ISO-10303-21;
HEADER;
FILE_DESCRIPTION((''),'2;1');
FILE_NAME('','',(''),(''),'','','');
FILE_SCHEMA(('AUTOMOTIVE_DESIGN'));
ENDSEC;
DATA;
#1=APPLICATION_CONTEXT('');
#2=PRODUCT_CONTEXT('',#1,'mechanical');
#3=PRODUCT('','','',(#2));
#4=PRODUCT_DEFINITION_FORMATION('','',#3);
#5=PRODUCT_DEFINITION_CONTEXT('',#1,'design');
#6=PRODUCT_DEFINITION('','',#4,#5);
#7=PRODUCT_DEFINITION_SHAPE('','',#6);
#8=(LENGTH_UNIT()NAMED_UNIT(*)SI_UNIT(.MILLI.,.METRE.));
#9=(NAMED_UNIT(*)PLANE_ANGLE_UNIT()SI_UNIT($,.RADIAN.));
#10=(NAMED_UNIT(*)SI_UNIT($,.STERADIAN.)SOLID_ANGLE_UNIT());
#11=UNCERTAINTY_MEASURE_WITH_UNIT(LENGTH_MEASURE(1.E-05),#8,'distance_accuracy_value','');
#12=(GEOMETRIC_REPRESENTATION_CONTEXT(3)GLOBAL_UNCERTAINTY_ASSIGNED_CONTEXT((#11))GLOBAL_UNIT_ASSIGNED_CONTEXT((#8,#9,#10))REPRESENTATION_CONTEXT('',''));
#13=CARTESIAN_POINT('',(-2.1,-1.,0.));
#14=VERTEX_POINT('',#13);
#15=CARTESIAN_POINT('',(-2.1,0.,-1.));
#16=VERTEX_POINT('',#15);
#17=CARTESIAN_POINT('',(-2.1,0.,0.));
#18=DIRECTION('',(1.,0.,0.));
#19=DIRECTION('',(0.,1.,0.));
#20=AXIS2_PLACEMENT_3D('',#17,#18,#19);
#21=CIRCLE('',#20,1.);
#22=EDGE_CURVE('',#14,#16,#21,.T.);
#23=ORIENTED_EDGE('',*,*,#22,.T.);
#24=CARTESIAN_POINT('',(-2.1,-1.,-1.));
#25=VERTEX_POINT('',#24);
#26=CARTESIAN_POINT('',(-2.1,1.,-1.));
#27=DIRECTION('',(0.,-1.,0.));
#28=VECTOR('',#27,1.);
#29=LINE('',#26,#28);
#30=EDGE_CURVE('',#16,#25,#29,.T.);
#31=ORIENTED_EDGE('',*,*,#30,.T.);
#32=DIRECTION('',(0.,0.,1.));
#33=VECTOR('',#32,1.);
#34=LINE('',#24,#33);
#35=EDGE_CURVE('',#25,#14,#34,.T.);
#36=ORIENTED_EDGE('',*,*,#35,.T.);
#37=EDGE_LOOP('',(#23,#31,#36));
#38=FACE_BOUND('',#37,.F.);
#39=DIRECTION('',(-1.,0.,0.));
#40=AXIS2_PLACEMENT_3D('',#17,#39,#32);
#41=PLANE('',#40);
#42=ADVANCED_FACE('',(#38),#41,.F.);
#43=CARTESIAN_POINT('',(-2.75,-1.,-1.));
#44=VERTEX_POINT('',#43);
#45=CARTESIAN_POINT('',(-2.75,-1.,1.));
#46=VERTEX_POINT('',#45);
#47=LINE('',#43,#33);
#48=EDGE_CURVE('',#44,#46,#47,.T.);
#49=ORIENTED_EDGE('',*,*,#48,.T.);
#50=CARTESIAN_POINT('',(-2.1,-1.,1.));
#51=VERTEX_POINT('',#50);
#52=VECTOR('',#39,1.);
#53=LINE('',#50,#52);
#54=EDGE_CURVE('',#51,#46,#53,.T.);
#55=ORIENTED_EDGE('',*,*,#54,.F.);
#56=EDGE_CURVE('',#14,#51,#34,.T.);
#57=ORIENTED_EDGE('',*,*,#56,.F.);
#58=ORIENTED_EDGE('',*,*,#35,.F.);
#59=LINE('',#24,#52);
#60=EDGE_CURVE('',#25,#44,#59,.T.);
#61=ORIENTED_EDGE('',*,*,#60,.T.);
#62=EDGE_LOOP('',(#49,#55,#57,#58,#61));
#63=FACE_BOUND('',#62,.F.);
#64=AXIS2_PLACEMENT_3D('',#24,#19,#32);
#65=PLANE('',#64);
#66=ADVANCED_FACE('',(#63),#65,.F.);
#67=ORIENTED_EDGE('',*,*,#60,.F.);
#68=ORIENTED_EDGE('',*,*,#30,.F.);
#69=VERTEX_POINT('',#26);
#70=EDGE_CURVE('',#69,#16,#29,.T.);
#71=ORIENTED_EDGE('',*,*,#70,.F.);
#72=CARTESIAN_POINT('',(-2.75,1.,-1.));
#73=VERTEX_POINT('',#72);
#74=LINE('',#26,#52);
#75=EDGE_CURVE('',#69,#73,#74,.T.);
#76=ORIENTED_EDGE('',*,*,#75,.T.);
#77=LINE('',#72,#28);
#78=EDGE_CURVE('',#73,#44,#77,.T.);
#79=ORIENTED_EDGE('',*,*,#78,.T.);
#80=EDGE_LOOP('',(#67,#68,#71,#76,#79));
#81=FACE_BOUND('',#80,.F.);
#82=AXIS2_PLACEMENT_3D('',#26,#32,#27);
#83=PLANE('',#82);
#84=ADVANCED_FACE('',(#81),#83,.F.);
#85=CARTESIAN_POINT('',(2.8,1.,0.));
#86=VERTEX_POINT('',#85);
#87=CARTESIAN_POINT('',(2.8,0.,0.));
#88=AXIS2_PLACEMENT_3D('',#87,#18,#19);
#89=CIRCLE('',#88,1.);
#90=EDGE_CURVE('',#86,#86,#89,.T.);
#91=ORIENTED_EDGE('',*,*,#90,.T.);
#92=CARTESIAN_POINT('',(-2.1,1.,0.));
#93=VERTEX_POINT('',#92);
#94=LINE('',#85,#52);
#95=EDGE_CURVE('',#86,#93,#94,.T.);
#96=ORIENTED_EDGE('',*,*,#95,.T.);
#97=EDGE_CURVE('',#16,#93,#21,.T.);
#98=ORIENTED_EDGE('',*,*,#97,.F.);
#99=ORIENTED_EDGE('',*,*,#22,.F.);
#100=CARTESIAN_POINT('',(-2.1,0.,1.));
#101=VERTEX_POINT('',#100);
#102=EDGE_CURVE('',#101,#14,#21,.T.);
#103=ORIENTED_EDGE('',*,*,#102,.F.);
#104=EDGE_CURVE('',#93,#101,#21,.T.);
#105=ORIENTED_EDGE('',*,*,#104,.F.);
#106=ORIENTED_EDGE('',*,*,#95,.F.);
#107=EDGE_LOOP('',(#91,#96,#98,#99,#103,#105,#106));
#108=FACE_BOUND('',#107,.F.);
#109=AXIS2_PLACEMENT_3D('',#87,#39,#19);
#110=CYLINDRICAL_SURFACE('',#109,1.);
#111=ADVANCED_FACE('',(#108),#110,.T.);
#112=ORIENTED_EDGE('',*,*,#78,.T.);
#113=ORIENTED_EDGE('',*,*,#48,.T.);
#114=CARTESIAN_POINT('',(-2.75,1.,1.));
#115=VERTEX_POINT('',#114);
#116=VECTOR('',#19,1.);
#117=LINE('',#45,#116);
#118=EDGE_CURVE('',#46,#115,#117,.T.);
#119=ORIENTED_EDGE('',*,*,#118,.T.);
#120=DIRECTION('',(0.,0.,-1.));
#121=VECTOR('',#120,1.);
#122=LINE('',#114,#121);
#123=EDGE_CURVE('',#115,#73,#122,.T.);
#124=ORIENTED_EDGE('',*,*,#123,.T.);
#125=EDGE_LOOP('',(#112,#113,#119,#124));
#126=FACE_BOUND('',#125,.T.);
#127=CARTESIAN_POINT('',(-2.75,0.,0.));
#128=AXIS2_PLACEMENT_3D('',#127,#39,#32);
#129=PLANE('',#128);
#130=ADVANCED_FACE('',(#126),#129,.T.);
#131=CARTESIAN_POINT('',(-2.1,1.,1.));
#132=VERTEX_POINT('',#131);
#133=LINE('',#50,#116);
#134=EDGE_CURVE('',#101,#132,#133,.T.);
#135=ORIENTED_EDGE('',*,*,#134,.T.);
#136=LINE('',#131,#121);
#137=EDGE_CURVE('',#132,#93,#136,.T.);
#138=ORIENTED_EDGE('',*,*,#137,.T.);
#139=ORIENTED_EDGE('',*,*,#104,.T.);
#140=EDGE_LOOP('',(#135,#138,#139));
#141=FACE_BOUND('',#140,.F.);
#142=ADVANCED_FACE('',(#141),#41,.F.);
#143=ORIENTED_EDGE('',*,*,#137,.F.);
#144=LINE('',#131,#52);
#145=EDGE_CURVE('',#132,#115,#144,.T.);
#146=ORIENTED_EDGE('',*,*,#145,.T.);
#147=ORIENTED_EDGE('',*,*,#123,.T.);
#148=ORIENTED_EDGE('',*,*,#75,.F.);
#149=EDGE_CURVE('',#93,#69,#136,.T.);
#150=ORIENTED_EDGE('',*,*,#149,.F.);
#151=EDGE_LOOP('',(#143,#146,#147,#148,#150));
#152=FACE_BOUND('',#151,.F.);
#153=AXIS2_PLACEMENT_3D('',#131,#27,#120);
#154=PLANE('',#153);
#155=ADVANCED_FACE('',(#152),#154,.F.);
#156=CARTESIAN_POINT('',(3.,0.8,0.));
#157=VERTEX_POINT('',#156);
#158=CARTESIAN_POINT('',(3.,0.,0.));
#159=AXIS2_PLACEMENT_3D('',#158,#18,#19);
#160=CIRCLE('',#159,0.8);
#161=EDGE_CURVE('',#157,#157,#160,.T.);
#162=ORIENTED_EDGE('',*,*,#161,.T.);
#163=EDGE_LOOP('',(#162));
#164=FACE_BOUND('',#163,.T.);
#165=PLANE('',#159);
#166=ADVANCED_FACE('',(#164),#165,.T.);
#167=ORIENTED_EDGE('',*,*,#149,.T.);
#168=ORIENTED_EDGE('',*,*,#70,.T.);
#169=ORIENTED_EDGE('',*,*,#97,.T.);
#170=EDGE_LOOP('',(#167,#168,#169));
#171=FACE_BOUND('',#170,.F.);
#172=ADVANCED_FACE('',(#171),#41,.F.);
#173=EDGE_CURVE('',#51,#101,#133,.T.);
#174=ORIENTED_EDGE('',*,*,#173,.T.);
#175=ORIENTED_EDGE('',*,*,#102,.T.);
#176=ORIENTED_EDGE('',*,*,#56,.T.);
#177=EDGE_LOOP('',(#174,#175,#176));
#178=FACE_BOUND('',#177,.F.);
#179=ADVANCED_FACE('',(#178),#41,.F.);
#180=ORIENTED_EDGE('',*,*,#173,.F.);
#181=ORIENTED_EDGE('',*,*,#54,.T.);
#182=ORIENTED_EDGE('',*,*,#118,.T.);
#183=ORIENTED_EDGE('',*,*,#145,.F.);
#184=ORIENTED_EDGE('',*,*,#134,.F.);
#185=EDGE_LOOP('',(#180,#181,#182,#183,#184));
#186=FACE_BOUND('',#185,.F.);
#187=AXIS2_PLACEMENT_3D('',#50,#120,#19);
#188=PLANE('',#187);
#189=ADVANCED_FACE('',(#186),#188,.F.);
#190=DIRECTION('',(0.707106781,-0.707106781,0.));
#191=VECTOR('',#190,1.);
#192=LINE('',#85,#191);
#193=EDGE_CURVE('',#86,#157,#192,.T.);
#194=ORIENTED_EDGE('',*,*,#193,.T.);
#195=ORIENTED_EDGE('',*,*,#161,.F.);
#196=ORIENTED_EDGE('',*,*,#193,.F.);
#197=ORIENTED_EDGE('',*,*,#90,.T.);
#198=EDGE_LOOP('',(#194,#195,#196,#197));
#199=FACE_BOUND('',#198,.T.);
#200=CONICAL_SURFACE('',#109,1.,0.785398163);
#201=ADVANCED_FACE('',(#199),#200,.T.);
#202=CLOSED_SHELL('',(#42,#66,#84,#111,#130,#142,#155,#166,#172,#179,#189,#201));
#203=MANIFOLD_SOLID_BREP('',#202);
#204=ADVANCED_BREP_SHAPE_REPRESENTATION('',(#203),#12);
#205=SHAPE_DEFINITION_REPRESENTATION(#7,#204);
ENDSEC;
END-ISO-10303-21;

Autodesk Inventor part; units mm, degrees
ref_plane "YZ Plane" through (0, 0, 0) normal (1, 0, 0) x (0, 1, 0)
ref_plane "XZ Plane" through (0, 0, 0) normal (0, 1, 0) x (-1, 0, 0)
ref_plane "XY Plane" through (0, 0, 0) normal (0, 0, 1) x (1, 0, 0)
sketch "Skizze1" plane through (0, 0, 0) normal (0, 0, 1) x (1, 0, 0)
  line L0 (-2.1, 0) -> (2.8, 0)
  line L1 (2.8, 0) -> (2.8, 1)
  line L2 (2.8, 1) -> (-2.1, 1)
  line L3 (-2.1, 1) -> (-2.1, 0)
  line L4 (0, 1.2) -> (0, -0.2) construction
  line L5 (2.8, 1) -> (3, 0.8)
  line L6 (3, 0.8) -> (3, 0)
  line L7 (3, 0) -> (2.8, 0)
  point P0 (0, 0)
  dimension "d0" = 2
  dimension "d5" = 2.8
  dimension "d8" = 2.1
  dimension "d13" = 45
  dimension "d14" = 0.2
revolve "Umdrehung1" add sketch "Skizze1" angle 360 about axis through (-2.1, 0, 0) along (1, 0, 0)
sketch "Skizze2" plane through (-2.1, 0, 0) normal (-1, 0, 0) x (0, 0, 1)
  line L0 (-1, -1) -> (1, -1)
  line L1 (1, -1) -> (1, 1)
  line L2 (1, 1) -> (-1, 1)
  line L3 (-1, 1) -> (-1, -1)
  line L4 (-1, -1) -> (1, 1) construction
  line L5 (1, -1) -> (-1, 1) construction
  point P0 (0, 0)
  dimension "d9" = 2
  dimension "d10" = 2
extrude "Extrusion1" add sketch "Skizze2" along normal blind 0.65
sketch "Skizze3" plane through (-2.75, 0, 0) normal (-1, 0, 0) x (0, 0, 1)
  circle A0 centre (0, 0) radius 1.3
  circle A1 centre (0, 0) radius 1.5
  dimension "d15" = 2.6
  dimension "d16" = 3
extrude "Extrusion2" [suppressed]
equation "\"d10\" = d9"
properties part number "Welle Querrolle Quad" material "Stahl, Kohlenstoff"
